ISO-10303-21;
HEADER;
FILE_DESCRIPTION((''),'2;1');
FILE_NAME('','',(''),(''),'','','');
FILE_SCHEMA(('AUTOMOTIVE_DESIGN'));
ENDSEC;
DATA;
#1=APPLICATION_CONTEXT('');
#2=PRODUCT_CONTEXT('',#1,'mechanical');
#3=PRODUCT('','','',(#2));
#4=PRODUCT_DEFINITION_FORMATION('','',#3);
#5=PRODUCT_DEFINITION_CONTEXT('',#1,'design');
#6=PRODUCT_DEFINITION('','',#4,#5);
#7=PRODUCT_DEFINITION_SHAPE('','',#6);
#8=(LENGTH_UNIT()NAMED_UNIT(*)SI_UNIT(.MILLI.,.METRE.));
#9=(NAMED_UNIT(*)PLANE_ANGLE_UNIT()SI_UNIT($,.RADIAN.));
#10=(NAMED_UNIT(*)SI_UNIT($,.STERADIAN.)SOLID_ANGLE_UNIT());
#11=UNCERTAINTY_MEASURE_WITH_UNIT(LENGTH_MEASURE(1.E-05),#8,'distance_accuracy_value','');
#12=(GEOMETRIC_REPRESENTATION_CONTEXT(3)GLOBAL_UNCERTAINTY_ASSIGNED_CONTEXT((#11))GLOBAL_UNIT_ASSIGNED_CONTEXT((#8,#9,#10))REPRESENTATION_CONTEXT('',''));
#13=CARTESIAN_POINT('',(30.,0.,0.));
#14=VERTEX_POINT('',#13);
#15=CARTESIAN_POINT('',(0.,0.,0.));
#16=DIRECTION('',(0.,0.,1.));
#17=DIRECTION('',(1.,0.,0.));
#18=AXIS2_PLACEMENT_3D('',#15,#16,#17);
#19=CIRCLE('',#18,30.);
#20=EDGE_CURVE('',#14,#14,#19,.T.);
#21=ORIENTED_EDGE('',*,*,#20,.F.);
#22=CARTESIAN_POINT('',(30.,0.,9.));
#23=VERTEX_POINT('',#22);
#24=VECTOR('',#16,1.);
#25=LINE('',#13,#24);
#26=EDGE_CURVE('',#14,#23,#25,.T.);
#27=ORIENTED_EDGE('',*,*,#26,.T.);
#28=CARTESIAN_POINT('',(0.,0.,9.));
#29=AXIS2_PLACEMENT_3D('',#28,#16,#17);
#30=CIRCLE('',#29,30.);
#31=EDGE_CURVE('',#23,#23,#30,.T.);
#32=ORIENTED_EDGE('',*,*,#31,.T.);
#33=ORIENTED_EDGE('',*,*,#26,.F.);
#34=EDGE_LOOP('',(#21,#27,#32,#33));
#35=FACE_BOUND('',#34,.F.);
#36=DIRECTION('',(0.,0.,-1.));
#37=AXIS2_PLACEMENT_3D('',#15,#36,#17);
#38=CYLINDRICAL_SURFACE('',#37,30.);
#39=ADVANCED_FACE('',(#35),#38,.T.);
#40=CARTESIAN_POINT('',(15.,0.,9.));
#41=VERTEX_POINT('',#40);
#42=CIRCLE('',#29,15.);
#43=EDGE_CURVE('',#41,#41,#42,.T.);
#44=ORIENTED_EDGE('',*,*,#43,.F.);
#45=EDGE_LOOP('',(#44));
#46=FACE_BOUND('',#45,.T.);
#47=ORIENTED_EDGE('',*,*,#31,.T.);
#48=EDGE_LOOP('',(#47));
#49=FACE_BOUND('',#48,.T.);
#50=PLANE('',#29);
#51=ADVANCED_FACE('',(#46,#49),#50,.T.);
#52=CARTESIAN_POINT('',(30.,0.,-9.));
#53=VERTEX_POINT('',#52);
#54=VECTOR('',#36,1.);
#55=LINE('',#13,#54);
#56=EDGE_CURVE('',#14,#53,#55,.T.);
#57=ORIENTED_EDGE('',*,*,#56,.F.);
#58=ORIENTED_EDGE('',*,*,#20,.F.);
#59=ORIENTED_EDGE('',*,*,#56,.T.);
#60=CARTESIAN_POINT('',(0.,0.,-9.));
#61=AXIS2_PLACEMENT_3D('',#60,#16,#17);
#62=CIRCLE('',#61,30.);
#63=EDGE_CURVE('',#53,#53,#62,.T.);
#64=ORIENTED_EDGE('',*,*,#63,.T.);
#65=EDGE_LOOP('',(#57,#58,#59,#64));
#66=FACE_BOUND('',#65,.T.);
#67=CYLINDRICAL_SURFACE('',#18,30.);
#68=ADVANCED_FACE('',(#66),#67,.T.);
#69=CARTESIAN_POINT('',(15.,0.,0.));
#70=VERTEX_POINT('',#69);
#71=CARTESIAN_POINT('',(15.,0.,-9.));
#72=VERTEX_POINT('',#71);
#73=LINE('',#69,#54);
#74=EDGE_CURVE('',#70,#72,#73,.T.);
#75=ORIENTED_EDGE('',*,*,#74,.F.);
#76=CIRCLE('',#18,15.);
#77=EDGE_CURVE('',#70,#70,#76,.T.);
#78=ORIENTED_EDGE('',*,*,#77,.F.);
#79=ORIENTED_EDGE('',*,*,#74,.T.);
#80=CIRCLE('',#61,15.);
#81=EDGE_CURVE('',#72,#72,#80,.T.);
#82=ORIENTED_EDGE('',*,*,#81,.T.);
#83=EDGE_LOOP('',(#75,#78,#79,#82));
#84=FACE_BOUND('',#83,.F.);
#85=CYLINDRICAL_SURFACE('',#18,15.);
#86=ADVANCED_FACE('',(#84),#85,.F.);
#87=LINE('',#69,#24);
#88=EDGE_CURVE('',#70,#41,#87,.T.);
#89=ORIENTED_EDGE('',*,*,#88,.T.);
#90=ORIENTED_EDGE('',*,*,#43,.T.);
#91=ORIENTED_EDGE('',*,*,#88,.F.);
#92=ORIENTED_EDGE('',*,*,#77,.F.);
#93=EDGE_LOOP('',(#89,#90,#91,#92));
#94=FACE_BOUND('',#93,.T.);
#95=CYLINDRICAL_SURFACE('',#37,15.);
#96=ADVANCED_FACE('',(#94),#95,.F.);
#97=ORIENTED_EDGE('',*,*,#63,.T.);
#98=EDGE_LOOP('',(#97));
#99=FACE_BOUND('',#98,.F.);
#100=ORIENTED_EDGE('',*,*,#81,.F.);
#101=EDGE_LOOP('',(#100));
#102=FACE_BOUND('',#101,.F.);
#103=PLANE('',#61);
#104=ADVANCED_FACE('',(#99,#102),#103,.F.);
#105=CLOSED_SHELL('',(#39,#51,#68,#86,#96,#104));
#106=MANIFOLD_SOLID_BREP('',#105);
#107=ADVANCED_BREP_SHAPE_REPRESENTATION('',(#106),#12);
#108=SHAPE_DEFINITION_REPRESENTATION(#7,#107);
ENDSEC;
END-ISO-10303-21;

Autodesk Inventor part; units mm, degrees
ref_plane "YZ Plane" through (0, 0, 0) normal (1, 0, 0) x (0, 1, 0)
ref_plane "XZ Plane" through (0, 0, 0) normal (0, 1, 0) x (-1, 0, 0)
ref_plane "XY Plane" through (0, 0, 0) normal (0, 0, 1) x (1, 0, 0)
sketch "Sketch1" plane through (0, 0, 0) normal (0, 0, 1) x (1, 0, 0)
  circle A0 centre (0, 0) radius 15
  circle A1 centre (0, 0) radius 30
  dimension "d0" = 30
  dimension "d1" = 60
extrude "Extrusion1" add sketch "Sketch1" along normal blind 9 and the other way blind 9
properties part number "washer"
